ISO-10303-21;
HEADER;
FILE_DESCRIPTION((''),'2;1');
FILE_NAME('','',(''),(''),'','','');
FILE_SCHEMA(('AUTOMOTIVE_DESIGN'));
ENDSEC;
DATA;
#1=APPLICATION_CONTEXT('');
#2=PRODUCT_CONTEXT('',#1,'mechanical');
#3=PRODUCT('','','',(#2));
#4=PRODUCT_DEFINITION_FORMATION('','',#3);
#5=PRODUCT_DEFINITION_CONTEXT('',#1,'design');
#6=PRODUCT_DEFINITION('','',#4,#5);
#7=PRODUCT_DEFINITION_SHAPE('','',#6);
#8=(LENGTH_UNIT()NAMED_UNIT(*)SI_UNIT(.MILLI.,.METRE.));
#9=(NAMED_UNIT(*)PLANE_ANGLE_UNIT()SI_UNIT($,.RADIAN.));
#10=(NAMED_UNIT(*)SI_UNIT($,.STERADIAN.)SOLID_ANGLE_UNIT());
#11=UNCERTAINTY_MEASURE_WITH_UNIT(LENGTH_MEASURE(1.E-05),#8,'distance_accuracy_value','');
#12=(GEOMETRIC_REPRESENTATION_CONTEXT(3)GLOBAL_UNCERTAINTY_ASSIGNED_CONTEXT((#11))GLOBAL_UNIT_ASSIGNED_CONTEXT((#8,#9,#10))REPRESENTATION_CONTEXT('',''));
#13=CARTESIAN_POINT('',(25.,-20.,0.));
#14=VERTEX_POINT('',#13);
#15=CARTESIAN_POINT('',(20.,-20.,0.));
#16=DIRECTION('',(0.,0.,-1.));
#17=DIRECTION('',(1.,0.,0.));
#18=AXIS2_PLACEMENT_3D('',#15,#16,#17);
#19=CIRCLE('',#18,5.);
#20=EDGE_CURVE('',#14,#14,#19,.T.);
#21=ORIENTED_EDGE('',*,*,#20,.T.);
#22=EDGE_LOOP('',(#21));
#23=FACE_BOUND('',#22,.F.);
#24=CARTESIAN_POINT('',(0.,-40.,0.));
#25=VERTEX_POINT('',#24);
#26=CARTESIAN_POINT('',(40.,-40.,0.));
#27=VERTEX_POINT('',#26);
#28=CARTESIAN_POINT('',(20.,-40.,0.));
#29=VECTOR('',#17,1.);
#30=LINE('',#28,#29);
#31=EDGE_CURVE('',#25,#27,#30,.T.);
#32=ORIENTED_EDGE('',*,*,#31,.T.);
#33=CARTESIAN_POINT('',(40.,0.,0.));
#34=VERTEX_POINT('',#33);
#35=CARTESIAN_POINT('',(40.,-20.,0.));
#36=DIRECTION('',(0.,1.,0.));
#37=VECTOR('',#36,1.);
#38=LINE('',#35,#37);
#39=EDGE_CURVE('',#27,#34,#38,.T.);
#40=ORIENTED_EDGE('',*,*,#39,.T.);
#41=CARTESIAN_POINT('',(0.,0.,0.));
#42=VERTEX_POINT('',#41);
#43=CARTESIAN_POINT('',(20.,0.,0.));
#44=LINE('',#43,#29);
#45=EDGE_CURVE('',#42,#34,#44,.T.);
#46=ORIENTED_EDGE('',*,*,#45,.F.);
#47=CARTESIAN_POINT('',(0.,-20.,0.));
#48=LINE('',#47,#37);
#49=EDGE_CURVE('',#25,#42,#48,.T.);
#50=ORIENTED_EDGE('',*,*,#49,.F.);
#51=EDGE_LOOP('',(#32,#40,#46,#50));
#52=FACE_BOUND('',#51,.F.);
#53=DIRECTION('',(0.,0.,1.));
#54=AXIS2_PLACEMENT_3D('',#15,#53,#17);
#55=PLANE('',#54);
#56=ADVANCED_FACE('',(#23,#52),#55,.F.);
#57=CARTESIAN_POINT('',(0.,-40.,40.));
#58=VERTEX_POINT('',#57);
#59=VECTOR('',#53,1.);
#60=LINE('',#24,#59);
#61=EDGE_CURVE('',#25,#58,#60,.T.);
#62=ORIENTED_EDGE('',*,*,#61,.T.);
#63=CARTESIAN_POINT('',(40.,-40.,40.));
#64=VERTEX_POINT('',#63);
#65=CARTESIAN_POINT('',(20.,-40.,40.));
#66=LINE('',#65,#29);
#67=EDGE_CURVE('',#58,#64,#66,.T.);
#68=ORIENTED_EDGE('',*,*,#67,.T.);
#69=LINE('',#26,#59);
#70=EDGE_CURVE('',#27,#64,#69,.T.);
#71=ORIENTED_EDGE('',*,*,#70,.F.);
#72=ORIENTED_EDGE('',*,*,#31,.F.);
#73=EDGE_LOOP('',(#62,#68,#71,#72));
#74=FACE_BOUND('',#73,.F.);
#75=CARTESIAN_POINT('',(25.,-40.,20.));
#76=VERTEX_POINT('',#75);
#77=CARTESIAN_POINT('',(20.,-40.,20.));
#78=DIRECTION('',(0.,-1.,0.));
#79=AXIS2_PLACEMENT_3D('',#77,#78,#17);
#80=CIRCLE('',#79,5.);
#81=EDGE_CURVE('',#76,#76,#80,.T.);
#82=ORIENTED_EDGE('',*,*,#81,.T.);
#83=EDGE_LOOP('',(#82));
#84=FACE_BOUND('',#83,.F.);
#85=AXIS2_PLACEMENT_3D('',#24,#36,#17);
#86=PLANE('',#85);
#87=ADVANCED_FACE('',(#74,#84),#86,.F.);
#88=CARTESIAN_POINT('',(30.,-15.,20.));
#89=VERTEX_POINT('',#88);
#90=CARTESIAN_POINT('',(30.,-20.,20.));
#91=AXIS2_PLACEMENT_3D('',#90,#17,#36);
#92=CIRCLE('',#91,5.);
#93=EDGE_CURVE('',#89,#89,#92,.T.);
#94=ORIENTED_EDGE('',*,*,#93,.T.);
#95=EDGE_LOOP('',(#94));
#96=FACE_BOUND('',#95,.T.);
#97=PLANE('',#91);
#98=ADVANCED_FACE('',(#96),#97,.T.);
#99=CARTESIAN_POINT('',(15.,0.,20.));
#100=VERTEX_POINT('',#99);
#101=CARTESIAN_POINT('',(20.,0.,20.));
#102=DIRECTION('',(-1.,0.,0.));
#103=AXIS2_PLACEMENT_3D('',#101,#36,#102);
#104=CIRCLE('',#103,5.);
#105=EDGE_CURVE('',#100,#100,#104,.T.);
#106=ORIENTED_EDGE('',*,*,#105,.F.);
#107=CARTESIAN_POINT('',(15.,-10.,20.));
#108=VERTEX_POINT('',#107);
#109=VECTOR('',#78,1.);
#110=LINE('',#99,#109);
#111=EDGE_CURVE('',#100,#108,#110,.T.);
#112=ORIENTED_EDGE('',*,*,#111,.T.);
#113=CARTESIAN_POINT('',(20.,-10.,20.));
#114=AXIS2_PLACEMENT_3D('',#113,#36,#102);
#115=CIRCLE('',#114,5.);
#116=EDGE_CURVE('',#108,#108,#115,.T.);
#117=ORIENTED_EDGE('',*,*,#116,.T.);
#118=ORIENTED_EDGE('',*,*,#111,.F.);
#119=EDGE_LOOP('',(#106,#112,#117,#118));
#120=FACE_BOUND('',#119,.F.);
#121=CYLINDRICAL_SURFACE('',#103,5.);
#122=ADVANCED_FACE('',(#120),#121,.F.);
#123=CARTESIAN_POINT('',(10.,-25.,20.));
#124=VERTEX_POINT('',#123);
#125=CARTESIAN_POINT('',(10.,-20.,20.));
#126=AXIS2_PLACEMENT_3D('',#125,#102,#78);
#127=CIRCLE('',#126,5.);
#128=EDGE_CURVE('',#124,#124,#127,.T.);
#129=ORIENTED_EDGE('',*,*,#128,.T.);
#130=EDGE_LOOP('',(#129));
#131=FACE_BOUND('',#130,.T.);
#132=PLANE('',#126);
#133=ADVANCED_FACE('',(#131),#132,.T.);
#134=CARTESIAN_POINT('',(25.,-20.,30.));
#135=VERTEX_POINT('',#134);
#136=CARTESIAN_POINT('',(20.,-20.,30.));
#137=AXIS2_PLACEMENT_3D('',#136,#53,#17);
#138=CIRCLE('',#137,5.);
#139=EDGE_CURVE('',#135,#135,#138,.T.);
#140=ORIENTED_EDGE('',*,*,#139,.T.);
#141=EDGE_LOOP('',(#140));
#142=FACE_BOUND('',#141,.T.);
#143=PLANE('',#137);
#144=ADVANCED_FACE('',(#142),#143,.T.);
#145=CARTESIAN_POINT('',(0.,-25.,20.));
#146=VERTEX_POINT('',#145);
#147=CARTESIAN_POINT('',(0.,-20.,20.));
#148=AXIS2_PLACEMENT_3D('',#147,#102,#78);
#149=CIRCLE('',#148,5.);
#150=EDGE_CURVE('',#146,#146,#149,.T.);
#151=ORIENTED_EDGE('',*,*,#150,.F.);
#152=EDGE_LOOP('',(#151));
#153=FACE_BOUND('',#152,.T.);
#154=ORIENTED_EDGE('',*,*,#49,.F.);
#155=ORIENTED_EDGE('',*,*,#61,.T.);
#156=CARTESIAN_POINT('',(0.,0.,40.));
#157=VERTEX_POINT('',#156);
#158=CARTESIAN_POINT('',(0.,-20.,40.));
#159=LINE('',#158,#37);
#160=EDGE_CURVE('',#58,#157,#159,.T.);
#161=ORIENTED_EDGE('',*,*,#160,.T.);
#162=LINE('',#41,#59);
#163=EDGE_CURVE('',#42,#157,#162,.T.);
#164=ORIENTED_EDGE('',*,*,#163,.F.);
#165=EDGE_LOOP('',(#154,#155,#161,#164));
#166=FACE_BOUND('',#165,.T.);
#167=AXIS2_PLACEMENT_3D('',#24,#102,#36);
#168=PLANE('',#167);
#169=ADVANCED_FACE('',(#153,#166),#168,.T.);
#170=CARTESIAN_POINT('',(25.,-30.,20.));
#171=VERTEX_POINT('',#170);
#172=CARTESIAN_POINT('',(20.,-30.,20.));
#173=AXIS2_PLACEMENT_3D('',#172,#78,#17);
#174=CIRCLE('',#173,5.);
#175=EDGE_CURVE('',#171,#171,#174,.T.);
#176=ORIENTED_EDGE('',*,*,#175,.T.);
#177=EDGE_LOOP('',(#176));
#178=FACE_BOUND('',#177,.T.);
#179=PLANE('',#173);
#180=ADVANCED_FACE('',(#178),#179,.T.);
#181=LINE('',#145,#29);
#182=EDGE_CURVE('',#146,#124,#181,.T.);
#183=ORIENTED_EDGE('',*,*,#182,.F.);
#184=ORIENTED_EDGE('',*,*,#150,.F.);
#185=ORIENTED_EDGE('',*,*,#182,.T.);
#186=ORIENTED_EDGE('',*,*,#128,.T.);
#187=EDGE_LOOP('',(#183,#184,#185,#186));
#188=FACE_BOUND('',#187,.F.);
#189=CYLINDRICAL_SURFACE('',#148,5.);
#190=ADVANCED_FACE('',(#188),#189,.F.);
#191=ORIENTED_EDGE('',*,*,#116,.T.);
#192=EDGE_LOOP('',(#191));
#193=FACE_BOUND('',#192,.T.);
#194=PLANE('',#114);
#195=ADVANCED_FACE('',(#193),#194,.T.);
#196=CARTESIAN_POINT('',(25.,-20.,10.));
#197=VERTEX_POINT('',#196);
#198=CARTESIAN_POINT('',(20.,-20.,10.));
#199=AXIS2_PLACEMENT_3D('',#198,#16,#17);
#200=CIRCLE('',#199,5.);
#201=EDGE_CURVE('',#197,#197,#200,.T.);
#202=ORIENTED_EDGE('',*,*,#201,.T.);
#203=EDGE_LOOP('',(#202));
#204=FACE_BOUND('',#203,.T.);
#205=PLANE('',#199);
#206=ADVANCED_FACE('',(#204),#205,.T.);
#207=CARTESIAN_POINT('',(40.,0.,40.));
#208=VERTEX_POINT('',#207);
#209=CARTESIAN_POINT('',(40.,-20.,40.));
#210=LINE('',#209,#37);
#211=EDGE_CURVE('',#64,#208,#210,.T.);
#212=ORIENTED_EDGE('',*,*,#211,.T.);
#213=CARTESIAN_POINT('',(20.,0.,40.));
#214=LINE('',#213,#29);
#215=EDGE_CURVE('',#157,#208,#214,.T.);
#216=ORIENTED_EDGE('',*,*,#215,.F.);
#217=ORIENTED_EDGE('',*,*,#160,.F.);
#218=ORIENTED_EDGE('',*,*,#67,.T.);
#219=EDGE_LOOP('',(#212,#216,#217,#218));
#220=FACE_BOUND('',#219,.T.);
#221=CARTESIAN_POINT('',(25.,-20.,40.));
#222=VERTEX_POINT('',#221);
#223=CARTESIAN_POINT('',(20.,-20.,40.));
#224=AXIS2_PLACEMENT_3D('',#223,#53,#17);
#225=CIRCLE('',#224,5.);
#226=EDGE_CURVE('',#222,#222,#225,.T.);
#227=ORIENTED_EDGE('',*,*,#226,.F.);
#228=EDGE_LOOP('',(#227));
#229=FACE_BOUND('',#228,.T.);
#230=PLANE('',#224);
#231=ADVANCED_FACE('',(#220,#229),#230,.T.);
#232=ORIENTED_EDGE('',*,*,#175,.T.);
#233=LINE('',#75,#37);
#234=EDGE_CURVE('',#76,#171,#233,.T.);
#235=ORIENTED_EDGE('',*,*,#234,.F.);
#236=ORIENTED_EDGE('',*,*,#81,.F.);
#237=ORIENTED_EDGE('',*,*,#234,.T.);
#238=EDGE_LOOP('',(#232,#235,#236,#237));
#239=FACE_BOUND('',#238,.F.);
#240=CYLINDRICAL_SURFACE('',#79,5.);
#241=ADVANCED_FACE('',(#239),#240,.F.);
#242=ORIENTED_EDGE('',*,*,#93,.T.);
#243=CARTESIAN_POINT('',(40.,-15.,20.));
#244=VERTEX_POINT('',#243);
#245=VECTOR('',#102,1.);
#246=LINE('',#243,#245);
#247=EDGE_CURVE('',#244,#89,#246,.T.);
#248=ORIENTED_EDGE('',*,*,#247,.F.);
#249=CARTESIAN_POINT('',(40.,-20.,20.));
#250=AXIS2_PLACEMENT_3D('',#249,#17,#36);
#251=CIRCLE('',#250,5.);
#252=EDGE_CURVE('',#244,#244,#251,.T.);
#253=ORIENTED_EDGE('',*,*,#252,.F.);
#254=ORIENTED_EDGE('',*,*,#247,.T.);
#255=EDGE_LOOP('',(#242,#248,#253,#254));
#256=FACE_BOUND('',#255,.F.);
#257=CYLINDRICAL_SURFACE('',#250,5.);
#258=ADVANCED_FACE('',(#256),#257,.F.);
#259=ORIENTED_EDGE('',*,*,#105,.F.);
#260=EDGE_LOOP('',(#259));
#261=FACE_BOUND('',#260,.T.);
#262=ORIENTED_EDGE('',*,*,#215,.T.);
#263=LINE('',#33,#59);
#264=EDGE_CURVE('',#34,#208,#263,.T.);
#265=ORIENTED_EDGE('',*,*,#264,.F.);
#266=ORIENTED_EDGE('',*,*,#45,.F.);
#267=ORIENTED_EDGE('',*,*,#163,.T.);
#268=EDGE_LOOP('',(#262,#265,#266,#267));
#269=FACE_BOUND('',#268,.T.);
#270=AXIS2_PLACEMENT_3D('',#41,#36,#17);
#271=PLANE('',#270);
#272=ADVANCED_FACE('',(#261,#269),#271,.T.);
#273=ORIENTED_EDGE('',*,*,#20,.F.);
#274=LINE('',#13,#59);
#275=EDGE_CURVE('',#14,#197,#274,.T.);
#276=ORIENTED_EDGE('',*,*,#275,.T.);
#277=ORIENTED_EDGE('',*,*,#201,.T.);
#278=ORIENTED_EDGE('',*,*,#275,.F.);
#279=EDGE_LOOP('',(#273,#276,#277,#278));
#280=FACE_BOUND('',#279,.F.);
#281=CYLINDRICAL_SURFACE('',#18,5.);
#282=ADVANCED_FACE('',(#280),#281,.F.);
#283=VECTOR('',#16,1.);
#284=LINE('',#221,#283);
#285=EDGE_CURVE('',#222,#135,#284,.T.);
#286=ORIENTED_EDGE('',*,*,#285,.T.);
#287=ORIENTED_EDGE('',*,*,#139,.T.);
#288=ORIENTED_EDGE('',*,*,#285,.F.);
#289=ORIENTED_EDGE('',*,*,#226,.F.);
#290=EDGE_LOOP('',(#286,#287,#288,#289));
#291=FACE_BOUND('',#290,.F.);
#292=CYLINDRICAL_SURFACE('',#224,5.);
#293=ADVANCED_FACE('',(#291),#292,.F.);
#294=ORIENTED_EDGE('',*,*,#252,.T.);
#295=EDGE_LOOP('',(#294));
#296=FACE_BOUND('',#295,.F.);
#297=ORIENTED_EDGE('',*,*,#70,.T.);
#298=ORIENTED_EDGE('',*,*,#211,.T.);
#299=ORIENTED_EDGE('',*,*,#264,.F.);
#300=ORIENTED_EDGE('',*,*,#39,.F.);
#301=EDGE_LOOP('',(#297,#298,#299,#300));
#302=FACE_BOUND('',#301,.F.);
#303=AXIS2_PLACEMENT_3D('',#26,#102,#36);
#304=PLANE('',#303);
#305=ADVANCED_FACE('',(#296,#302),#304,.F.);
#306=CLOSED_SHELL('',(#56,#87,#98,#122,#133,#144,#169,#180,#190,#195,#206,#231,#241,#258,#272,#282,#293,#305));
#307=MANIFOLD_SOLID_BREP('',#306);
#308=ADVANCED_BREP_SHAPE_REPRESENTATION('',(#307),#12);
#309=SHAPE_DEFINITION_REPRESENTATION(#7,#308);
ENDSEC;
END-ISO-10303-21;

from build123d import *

# Parameters (mm, degrees)
F0_W      = 40
F0_H      = 40
F1_DEPTH  = 40
F2_R      = 5
F3_DEPTH  = 10
F4_R      = 5
F5_DEPTH  = 10
F6_R      = 5
F7_DEPTH  = 10
F8_R      = 5
F9_DEPTH  = 10
F10_R     = 5
F11_DEPTH = 10
F12_R     = 5
F13_DEPTH = 10


with BuildPart() as f1:
    # F0 (on Top) → F1 (new body)
    with BuildSketch(Plane.XY):
        with Locations((20, -20)):
            Rectangle(F0_W, F0_H)
    extrude(amount=F1_DEPTH)

    # F2 (on face) → F3 (cut)
    with BuildSketch(Plane.XY.offset(40)):
        with Locations((20, -20)):
            Circle(F2_R)
    extrude(amount=-F3_DEPTH, mode=Mode.SUBTRACT)

    # F4 (on face) → F5 (cut)
    with BuildSketch(Plane(origin=(0, 0, 0), x_dir=(-1, 0, 0), z_dir=(0, 1, 0))):
        with Locations((-20, 20)):
            Circle(F4_R)
    extrude(amount=-F5_DEPTH, mode=Mode.SUBTRACT)

    # F6 (on face) → F7 (cut)
    with BuildSketch(Plane(origin=(0, 0, 0), x_dir=(1, 0, 0), z_dir=(0, 0, -1))):
        with Locations((20, 20)):
            Circle(F6_R)
    extrude(amount=-F7_DEPTH, mode=Mode.SUBTRACT)

    # F8 (on face) → F9 (cut)
    with BuildSketch(Plane.XZ.offset(40)):
        with Locations((20, 20)):
            Circle(F8_R)
    extrude(amount=-F9_DEPTH, mode=Mode.SUBTRACT)

    # F10 (on face) → F11 (cut)
    with BuildSketch(Plane.YZ.offset(40)):
        with Locations((-20, 20)):
            Circle(F10_R)
    extrude(amount=-F11_DEPTH, mode=Mode.SUBTRACT)

    # F12 (on face) → F13 (cut)
    with BuildSketch(Plane(origin=(0, 0, 0), x_dir=(0, -1, 0), z_dir=(-1, 0, 0))):
        with Locations((20, 20)):
            Circle(F12_R)
    extrude(amount=-F13_DEPTH, mode=Mode.SUBTRACT)


solid = f1.part
